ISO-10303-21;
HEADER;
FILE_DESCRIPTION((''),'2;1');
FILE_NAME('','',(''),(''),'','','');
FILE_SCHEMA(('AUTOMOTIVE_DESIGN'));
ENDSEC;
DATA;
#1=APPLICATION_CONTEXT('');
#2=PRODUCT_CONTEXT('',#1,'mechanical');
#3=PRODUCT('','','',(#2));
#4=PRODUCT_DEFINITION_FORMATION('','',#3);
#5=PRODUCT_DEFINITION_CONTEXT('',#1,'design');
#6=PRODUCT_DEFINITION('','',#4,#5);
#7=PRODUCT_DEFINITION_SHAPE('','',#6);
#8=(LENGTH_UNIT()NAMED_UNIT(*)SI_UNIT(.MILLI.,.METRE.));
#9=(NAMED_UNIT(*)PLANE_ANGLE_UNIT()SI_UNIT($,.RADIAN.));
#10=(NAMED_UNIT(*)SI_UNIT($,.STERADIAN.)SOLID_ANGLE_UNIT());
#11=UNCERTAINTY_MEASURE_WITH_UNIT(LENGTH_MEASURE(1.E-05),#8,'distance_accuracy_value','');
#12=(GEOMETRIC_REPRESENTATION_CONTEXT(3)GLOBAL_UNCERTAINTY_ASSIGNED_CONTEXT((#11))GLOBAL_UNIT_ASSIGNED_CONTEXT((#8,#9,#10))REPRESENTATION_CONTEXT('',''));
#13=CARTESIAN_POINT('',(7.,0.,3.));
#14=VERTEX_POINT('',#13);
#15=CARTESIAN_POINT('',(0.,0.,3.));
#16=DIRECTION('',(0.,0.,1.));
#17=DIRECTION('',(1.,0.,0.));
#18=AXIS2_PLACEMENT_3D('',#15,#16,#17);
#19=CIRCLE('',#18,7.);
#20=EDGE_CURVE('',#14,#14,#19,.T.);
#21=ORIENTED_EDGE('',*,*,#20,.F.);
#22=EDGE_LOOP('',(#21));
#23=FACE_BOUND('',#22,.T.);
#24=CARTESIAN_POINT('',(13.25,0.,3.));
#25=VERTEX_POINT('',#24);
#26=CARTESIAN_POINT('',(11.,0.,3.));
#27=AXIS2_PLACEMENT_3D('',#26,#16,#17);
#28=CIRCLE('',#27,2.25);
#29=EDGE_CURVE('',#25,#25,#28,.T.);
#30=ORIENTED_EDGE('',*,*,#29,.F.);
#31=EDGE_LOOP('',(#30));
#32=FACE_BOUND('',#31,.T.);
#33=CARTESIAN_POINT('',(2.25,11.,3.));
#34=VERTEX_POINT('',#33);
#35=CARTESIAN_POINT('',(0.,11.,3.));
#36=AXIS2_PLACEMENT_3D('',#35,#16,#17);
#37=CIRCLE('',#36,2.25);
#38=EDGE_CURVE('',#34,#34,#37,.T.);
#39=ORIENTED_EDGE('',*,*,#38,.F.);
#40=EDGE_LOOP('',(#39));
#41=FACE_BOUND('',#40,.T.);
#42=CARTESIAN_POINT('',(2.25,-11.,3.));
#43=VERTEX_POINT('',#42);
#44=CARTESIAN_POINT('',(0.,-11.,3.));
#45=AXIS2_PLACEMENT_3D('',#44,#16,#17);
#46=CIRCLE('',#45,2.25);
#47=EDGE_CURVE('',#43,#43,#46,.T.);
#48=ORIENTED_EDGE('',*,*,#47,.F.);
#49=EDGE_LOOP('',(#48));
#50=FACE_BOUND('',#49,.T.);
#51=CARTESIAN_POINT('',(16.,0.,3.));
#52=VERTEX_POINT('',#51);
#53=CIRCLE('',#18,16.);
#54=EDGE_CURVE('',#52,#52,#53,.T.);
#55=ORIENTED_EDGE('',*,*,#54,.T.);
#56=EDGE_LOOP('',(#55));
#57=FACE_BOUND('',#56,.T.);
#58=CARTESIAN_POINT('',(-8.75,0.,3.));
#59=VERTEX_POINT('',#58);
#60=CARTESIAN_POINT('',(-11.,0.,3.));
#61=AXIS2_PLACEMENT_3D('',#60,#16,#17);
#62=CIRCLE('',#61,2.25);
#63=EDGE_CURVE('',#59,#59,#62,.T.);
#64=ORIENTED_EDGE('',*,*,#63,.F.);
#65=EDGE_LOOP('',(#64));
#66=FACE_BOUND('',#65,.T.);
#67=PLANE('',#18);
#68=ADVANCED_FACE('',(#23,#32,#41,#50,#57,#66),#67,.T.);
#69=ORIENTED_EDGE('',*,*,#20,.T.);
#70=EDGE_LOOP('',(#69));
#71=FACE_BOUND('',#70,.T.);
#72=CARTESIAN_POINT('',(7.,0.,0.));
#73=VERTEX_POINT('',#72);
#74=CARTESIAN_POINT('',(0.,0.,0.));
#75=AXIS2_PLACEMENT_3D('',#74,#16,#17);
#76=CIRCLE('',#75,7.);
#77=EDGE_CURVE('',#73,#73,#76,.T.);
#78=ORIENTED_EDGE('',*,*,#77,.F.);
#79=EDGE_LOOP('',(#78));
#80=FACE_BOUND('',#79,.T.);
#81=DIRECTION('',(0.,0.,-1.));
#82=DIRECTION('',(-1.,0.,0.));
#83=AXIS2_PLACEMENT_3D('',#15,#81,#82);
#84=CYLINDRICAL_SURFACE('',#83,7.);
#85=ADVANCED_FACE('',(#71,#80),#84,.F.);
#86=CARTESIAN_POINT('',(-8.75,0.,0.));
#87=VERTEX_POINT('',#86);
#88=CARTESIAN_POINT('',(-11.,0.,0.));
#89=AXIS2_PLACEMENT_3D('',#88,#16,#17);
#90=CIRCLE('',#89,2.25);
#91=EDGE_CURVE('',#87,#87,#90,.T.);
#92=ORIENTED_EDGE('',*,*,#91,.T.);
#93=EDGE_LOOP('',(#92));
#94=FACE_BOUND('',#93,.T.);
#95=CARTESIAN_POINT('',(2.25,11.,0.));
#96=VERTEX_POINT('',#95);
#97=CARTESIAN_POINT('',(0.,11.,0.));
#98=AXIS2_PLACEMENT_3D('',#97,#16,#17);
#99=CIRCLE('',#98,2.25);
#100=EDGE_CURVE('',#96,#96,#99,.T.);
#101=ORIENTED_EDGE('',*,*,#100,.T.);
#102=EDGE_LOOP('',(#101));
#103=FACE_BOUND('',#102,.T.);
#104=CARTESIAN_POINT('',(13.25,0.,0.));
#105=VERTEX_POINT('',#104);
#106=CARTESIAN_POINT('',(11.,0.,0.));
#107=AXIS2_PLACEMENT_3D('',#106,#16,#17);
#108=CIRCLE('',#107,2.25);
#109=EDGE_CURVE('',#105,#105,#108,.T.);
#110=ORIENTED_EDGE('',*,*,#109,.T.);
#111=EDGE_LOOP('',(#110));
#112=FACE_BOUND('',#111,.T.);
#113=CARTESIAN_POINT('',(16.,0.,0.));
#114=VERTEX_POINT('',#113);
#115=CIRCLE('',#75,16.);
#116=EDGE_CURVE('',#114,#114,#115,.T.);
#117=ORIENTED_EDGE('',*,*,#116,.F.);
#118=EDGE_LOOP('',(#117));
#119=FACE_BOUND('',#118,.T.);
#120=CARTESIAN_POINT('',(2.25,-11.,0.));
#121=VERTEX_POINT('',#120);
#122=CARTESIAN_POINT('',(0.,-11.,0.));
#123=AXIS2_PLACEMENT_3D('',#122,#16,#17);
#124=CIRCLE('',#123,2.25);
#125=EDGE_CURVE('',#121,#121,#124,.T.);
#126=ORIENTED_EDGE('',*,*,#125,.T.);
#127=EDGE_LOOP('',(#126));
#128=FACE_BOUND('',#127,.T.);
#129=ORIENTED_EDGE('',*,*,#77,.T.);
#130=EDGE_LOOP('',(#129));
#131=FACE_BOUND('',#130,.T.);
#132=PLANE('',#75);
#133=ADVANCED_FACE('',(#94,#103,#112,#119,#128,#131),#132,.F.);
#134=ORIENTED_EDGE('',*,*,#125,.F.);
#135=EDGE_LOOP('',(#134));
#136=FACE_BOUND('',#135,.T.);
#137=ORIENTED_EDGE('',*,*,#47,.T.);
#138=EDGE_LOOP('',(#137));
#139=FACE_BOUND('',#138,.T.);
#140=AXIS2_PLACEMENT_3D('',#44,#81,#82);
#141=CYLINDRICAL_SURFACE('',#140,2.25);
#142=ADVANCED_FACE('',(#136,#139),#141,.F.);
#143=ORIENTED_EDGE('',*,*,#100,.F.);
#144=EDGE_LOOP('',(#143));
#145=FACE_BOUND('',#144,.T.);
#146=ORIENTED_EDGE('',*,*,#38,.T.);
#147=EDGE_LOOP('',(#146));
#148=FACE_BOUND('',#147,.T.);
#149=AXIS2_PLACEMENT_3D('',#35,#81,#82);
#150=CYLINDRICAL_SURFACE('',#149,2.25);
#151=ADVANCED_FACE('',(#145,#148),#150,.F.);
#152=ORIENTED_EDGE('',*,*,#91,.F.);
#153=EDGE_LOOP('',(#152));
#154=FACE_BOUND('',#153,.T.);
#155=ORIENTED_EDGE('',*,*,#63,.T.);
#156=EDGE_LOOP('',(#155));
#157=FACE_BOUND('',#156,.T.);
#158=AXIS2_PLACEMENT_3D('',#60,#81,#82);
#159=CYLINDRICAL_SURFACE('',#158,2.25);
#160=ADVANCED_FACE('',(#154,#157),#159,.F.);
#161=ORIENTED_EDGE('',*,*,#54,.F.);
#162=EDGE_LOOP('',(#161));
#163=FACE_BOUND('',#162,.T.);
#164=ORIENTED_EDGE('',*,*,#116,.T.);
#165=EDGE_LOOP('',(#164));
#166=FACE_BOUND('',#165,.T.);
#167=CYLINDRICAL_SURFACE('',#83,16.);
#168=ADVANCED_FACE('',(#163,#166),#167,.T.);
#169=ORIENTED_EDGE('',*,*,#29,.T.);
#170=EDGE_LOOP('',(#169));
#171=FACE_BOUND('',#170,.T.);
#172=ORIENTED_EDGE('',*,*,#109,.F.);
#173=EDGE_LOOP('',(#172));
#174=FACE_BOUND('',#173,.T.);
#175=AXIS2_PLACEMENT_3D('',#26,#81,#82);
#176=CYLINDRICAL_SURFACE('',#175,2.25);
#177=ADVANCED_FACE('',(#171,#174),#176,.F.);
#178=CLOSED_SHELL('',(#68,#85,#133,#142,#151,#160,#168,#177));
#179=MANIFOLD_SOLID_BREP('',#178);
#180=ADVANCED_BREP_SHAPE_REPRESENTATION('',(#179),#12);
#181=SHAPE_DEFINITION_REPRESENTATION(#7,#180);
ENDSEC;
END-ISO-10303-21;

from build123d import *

# Parameters (mm, degrees)
SKETCH1_R           = 16
SKETCH1_R_2         = 7
SKETCH1_R_3         = 2.25
BOSS_EXTRUDE1_DEPTH = 3


with BuildPart() as part:
    # Sketch1 → Boss-Extrude1 (new body)
    with BuildSketch(Plane.XY):
        Circle(SKETCH1_R)
        Circle(SKETCH1_R_2, mode=Mode.SUBTRACT)
        with Locations((11, 0)):
            Circle(SKETCH1_R_3, mode=Mode.SUBTRACT)
        with Locations((0, 11)):
            Circle(SKETCH1_R_3, mode=Mode.SUBTRACT)
        with Locations((-11, 0)):
            Circle(SKETCH1_R_3, mode=Mode.SUBTRACT)
        with Locations((0, -11)):
            Circle(SKETCH1_R_3, mode=Mode.SUBTRACT)
    extrude(amount=BOSS_EXTRUDE1_DEPTH)


solid = part.part
